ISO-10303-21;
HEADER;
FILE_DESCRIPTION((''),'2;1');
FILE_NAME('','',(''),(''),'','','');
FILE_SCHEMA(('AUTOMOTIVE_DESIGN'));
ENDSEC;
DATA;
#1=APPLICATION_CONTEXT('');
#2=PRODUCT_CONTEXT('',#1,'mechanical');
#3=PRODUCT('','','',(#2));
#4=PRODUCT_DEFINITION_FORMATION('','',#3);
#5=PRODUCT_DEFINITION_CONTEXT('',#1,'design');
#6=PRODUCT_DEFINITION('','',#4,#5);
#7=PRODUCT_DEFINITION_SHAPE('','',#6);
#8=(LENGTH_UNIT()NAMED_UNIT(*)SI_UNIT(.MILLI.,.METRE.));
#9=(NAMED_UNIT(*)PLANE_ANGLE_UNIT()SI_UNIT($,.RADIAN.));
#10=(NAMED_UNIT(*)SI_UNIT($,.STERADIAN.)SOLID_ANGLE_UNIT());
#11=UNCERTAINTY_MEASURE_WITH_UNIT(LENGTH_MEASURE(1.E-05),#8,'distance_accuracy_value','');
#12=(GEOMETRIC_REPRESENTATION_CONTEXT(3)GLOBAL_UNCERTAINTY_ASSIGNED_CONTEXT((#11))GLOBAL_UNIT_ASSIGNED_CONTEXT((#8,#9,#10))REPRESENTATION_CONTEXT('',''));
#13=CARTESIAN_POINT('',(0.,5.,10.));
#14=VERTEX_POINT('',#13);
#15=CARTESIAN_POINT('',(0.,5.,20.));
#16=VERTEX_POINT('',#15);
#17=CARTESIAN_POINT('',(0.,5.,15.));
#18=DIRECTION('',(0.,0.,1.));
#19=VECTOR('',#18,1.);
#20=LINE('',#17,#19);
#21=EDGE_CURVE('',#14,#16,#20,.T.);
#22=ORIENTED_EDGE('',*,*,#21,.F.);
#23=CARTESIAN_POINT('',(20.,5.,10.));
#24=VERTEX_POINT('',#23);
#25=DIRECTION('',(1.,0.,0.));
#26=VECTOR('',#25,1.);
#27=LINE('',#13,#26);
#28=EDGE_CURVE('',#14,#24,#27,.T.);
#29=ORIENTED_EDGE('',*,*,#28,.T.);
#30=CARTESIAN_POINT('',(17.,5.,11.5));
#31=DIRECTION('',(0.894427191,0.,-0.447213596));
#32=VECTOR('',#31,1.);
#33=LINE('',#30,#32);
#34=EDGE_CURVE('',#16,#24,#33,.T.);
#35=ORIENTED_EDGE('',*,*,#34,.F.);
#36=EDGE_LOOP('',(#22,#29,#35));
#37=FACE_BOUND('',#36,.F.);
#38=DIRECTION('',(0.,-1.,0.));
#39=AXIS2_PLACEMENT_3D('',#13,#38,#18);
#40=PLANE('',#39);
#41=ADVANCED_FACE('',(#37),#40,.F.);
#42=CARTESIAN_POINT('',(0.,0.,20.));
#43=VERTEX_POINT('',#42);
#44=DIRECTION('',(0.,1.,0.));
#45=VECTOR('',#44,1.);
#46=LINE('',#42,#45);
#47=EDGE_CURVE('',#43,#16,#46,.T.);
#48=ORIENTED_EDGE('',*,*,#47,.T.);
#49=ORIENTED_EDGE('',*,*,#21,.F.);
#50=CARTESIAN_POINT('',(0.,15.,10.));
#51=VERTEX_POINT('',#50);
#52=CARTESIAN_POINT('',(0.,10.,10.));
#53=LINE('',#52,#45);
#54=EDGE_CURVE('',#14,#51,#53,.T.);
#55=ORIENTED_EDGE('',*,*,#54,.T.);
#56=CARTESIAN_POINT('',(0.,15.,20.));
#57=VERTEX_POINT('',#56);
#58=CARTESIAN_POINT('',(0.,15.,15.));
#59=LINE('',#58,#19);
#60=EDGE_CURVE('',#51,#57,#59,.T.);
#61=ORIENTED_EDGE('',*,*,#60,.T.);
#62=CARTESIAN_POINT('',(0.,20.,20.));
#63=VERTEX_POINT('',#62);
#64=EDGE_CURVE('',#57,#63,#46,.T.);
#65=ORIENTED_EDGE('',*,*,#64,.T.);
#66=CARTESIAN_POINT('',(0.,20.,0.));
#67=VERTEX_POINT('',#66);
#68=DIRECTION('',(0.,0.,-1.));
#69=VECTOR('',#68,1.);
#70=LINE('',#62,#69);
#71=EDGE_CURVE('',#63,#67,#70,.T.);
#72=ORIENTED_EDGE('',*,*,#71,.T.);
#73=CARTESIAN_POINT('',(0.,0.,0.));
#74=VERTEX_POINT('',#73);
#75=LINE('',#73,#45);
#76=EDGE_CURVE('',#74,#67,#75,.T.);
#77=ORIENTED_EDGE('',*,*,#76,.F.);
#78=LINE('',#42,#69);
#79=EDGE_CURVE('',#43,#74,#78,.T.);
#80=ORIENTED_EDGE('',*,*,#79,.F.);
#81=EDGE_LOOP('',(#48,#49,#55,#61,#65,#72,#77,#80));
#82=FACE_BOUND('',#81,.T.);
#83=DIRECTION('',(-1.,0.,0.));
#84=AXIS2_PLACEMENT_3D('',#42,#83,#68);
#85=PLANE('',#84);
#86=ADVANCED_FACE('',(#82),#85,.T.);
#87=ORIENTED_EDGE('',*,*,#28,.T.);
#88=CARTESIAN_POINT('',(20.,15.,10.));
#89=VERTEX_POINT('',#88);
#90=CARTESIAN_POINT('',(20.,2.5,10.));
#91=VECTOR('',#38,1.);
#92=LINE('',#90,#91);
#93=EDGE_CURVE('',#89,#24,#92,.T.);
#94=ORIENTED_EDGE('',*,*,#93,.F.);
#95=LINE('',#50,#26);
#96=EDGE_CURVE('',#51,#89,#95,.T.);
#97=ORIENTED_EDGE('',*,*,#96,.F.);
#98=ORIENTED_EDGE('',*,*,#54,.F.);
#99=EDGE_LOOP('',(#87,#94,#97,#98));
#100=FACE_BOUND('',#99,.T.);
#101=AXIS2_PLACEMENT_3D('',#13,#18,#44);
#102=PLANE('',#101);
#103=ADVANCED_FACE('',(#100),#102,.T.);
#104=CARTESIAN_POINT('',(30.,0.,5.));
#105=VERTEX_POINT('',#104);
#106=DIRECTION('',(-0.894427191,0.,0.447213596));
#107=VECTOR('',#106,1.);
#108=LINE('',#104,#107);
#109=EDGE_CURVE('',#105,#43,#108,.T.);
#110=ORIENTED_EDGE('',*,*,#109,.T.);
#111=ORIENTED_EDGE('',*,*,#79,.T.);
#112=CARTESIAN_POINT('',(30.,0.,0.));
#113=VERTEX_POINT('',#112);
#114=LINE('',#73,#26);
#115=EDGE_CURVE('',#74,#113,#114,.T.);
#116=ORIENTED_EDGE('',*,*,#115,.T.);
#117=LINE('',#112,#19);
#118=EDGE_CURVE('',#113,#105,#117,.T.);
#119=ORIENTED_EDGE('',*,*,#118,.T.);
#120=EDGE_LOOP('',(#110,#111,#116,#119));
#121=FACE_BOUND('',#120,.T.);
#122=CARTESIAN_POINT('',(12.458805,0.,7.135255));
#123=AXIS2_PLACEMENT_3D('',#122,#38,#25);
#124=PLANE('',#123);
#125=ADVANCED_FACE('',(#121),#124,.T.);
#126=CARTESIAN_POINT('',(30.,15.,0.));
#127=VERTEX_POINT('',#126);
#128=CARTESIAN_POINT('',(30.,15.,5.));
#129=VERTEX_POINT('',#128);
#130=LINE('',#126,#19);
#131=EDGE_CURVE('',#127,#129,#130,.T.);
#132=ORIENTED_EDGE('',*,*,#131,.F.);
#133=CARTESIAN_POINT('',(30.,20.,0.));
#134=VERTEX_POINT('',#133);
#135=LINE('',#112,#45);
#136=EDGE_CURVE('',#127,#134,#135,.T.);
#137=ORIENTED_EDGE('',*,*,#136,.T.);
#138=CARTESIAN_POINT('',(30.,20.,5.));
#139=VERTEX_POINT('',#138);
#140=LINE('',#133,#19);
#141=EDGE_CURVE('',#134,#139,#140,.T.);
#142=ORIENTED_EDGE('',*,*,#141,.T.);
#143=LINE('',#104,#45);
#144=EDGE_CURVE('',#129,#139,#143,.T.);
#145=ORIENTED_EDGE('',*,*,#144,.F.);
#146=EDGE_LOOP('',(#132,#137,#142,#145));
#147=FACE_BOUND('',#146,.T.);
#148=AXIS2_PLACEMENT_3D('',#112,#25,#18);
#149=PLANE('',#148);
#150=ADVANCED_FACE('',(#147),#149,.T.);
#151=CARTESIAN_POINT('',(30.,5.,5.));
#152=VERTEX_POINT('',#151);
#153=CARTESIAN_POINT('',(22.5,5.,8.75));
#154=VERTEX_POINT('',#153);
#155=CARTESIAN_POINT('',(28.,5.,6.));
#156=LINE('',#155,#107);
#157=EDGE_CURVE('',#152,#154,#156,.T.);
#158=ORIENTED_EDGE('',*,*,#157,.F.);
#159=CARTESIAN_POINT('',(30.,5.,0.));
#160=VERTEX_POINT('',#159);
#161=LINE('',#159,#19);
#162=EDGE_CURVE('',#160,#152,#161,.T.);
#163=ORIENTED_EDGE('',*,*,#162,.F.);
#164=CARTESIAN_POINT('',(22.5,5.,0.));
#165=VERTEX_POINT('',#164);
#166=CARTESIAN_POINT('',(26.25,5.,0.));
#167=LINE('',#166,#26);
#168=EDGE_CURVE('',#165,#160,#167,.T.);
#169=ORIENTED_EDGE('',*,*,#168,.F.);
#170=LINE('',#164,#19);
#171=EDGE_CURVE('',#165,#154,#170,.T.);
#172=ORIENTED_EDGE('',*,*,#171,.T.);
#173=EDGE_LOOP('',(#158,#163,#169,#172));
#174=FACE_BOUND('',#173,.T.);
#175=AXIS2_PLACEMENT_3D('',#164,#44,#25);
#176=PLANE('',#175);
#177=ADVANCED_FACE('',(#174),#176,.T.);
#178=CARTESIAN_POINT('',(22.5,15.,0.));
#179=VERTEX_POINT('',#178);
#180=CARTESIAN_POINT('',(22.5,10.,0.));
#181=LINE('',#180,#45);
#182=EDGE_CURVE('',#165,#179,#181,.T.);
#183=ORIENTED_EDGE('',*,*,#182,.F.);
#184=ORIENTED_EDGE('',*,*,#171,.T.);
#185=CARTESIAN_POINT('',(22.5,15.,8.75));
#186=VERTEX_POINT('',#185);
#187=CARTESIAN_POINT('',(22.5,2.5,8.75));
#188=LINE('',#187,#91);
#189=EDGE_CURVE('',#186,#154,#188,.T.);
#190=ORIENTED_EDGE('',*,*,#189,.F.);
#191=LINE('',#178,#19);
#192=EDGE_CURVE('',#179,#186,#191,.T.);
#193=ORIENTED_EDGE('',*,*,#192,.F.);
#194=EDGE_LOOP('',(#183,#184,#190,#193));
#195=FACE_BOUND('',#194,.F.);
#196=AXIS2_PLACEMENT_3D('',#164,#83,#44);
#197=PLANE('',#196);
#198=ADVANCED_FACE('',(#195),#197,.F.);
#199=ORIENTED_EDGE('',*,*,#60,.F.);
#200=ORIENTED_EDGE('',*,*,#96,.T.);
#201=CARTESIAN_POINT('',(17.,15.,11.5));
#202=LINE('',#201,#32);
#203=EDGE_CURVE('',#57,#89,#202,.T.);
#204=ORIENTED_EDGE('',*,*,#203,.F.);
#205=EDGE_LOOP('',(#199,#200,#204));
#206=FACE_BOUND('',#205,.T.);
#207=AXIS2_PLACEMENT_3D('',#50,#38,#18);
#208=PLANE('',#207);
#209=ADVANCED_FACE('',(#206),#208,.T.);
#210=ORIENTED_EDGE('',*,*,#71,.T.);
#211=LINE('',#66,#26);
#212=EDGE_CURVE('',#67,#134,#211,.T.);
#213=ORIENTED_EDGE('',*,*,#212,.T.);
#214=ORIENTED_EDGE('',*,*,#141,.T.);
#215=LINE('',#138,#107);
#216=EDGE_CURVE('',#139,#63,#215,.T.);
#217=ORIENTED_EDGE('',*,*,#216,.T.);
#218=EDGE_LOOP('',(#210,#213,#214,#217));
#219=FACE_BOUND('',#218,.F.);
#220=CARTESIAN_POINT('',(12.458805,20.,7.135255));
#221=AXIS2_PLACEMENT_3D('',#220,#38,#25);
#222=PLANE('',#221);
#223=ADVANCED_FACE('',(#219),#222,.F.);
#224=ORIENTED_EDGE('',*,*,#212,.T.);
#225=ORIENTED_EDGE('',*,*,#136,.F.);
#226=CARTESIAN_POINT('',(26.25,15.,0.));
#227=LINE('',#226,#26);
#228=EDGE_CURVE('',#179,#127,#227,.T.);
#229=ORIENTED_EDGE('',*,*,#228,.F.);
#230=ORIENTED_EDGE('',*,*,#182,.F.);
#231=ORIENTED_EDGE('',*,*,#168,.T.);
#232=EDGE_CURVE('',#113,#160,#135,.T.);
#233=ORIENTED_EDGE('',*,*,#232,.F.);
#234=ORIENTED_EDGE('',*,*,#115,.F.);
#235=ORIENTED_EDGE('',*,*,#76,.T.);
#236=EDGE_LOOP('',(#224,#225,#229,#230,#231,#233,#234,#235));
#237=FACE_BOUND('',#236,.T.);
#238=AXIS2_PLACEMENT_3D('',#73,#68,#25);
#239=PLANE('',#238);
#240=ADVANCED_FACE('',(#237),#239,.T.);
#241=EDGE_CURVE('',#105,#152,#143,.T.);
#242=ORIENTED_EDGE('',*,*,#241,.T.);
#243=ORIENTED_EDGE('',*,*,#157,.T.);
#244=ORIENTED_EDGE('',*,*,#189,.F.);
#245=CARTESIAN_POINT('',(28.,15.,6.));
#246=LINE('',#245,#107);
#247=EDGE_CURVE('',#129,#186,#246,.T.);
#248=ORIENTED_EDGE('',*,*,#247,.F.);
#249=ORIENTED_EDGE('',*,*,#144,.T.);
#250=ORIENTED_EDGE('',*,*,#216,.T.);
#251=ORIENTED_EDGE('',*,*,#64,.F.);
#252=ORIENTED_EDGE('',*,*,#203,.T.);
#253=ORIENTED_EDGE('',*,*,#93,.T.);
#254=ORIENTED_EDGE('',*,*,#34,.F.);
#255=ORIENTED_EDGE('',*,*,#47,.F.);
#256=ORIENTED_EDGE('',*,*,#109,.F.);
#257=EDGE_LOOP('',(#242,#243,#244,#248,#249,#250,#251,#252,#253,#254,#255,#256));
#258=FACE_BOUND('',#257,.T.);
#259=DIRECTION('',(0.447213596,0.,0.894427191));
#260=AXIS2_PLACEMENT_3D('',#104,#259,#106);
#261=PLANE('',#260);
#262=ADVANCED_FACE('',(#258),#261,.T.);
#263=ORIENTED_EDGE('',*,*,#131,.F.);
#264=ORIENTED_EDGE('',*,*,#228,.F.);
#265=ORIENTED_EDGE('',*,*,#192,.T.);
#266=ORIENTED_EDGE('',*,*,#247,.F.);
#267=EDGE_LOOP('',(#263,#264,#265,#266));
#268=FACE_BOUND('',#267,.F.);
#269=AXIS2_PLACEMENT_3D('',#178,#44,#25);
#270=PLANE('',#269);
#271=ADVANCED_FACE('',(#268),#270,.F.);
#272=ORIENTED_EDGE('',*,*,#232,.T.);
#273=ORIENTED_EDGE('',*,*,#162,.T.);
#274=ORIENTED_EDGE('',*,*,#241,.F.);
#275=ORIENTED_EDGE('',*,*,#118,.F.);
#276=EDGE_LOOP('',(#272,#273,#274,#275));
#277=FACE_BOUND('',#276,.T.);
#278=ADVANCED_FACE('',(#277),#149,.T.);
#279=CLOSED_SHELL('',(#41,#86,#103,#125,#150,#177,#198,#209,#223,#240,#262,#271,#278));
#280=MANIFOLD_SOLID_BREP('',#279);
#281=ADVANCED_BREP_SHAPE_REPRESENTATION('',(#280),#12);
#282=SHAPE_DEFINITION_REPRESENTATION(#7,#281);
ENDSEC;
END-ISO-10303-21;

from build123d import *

# Parameters (mm, degrees)
F1_DEPTH = 20
F2_W     = 10
F2_H     = 10
F3_DEPTH = 25
F4_W     = 7.5
F4_H     = 10
F5_DEPTH = 25


with BuildPart() as f1:
    # F0 (on Front) → F1 (new body)
    with BuildSketch(Plane.XZ):
        Polygon((0, 20), (0, 0), (30, 0), (30, 5), align=None)
    extrude(amount=-F1_DEPTH)

    # F2 (on Right) → F3 (cut)
    with BuildSketch(Plane.YZ):
        with Locations((10, 15)):
            Rectangle(F2_W, F2_H)
    extrude(amount=F3_DEPTH, mode=Mode.SUBTRACT)

    # F4 (on Top) → F5 (cut)
    with BuildSketch(Plane.XY):
        with Locations((26.25, 10)):
            Rectangle(F4_W, F4_H)
    extrude(amount=F5_DEPTH, mode=Mode.SUBTRACT)


solid = f1.part
